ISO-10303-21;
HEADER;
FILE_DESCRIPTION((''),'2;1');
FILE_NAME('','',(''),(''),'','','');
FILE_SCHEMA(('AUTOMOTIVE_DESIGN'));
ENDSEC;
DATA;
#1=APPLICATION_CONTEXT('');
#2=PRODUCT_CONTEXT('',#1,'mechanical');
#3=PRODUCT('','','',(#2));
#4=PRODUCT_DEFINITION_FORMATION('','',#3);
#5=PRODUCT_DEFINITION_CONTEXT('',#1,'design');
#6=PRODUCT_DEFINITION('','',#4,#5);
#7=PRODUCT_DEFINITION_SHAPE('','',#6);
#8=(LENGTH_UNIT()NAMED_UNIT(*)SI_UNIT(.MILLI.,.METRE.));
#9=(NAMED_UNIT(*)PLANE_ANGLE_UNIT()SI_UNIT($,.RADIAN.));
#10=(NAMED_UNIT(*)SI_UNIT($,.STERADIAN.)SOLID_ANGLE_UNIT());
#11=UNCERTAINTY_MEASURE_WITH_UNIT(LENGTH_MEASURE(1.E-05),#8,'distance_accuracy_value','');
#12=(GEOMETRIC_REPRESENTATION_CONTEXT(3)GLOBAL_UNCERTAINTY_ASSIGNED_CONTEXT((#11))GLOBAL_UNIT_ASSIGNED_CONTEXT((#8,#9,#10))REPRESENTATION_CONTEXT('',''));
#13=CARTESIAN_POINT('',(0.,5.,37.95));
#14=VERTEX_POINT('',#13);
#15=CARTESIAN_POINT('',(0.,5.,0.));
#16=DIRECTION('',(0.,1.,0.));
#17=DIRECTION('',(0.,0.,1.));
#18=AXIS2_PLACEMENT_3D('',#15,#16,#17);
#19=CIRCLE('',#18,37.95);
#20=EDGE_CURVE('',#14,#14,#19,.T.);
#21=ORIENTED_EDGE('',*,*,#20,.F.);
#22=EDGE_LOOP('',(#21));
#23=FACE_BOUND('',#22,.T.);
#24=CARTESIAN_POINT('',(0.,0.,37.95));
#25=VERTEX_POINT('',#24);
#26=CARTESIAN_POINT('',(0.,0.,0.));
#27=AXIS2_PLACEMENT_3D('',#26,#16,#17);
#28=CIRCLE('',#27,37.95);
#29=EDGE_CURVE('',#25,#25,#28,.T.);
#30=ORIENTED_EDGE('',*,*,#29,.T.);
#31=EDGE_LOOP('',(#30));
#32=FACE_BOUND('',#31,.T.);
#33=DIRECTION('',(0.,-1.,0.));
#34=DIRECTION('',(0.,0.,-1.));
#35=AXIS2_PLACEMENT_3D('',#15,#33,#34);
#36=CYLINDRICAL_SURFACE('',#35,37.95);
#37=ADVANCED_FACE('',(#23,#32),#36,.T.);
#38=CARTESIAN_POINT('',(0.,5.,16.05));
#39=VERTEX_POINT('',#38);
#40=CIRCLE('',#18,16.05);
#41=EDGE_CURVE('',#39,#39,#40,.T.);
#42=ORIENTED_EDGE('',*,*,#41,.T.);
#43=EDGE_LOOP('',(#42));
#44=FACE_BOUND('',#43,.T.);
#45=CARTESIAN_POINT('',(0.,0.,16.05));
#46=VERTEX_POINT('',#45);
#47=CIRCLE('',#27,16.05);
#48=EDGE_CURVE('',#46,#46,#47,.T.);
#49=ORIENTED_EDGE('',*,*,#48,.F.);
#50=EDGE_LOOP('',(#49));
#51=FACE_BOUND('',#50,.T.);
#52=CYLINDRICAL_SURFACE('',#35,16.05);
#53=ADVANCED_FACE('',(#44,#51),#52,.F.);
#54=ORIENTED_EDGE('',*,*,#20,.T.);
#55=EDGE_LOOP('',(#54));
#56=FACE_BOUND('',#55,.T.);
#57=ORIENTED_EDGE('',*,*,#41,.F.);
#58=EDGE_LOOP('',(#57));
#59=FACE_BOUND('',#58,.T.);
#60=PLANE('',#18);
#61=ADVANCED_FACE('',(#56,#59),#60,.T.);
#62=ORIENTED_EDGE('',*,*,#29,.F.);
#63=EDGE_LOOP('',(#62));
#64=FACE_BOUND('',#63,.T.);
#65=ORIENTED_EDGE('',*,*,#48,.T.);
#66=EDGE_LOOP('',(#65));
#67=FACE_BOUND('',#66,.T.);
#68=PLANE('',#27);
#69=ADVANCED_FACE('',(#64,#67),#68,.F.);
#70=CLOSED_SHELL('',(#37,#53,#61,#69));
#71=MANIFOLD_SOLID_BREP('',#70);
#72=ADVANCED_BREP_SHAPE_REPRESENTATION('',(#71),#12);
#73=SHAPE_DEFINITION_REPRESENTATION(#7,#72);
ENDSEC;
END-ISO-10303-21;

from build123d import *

# Parameters (mm, degrees)
SKETCH1_R           = 37.95
SKETCH1_R_2         = 16.05
BOSS_EXTRUDE1_DEPTH = 5


with BuildPart() as part:
    # Sketch1 → Boss-Extrude1 (new body)
    with BuildSketch(Plane(origin=(0, 0, 0), x_dir=(1, 0, 0), z_dir=(0, 1, 0))):
        with Locations(Location((0, 0, 0), (0, 0, 270))):
            Circle(SKETCH1_R)
        with Locations(Location((0, 0, 0), (0, 0, 270))):
            Circle(SKETCH1_R_2, mode=Mode.SUBTRACT)
    extrude(amount=BOSS_EXTRUDE1_DEPTH)


solid = part.part
